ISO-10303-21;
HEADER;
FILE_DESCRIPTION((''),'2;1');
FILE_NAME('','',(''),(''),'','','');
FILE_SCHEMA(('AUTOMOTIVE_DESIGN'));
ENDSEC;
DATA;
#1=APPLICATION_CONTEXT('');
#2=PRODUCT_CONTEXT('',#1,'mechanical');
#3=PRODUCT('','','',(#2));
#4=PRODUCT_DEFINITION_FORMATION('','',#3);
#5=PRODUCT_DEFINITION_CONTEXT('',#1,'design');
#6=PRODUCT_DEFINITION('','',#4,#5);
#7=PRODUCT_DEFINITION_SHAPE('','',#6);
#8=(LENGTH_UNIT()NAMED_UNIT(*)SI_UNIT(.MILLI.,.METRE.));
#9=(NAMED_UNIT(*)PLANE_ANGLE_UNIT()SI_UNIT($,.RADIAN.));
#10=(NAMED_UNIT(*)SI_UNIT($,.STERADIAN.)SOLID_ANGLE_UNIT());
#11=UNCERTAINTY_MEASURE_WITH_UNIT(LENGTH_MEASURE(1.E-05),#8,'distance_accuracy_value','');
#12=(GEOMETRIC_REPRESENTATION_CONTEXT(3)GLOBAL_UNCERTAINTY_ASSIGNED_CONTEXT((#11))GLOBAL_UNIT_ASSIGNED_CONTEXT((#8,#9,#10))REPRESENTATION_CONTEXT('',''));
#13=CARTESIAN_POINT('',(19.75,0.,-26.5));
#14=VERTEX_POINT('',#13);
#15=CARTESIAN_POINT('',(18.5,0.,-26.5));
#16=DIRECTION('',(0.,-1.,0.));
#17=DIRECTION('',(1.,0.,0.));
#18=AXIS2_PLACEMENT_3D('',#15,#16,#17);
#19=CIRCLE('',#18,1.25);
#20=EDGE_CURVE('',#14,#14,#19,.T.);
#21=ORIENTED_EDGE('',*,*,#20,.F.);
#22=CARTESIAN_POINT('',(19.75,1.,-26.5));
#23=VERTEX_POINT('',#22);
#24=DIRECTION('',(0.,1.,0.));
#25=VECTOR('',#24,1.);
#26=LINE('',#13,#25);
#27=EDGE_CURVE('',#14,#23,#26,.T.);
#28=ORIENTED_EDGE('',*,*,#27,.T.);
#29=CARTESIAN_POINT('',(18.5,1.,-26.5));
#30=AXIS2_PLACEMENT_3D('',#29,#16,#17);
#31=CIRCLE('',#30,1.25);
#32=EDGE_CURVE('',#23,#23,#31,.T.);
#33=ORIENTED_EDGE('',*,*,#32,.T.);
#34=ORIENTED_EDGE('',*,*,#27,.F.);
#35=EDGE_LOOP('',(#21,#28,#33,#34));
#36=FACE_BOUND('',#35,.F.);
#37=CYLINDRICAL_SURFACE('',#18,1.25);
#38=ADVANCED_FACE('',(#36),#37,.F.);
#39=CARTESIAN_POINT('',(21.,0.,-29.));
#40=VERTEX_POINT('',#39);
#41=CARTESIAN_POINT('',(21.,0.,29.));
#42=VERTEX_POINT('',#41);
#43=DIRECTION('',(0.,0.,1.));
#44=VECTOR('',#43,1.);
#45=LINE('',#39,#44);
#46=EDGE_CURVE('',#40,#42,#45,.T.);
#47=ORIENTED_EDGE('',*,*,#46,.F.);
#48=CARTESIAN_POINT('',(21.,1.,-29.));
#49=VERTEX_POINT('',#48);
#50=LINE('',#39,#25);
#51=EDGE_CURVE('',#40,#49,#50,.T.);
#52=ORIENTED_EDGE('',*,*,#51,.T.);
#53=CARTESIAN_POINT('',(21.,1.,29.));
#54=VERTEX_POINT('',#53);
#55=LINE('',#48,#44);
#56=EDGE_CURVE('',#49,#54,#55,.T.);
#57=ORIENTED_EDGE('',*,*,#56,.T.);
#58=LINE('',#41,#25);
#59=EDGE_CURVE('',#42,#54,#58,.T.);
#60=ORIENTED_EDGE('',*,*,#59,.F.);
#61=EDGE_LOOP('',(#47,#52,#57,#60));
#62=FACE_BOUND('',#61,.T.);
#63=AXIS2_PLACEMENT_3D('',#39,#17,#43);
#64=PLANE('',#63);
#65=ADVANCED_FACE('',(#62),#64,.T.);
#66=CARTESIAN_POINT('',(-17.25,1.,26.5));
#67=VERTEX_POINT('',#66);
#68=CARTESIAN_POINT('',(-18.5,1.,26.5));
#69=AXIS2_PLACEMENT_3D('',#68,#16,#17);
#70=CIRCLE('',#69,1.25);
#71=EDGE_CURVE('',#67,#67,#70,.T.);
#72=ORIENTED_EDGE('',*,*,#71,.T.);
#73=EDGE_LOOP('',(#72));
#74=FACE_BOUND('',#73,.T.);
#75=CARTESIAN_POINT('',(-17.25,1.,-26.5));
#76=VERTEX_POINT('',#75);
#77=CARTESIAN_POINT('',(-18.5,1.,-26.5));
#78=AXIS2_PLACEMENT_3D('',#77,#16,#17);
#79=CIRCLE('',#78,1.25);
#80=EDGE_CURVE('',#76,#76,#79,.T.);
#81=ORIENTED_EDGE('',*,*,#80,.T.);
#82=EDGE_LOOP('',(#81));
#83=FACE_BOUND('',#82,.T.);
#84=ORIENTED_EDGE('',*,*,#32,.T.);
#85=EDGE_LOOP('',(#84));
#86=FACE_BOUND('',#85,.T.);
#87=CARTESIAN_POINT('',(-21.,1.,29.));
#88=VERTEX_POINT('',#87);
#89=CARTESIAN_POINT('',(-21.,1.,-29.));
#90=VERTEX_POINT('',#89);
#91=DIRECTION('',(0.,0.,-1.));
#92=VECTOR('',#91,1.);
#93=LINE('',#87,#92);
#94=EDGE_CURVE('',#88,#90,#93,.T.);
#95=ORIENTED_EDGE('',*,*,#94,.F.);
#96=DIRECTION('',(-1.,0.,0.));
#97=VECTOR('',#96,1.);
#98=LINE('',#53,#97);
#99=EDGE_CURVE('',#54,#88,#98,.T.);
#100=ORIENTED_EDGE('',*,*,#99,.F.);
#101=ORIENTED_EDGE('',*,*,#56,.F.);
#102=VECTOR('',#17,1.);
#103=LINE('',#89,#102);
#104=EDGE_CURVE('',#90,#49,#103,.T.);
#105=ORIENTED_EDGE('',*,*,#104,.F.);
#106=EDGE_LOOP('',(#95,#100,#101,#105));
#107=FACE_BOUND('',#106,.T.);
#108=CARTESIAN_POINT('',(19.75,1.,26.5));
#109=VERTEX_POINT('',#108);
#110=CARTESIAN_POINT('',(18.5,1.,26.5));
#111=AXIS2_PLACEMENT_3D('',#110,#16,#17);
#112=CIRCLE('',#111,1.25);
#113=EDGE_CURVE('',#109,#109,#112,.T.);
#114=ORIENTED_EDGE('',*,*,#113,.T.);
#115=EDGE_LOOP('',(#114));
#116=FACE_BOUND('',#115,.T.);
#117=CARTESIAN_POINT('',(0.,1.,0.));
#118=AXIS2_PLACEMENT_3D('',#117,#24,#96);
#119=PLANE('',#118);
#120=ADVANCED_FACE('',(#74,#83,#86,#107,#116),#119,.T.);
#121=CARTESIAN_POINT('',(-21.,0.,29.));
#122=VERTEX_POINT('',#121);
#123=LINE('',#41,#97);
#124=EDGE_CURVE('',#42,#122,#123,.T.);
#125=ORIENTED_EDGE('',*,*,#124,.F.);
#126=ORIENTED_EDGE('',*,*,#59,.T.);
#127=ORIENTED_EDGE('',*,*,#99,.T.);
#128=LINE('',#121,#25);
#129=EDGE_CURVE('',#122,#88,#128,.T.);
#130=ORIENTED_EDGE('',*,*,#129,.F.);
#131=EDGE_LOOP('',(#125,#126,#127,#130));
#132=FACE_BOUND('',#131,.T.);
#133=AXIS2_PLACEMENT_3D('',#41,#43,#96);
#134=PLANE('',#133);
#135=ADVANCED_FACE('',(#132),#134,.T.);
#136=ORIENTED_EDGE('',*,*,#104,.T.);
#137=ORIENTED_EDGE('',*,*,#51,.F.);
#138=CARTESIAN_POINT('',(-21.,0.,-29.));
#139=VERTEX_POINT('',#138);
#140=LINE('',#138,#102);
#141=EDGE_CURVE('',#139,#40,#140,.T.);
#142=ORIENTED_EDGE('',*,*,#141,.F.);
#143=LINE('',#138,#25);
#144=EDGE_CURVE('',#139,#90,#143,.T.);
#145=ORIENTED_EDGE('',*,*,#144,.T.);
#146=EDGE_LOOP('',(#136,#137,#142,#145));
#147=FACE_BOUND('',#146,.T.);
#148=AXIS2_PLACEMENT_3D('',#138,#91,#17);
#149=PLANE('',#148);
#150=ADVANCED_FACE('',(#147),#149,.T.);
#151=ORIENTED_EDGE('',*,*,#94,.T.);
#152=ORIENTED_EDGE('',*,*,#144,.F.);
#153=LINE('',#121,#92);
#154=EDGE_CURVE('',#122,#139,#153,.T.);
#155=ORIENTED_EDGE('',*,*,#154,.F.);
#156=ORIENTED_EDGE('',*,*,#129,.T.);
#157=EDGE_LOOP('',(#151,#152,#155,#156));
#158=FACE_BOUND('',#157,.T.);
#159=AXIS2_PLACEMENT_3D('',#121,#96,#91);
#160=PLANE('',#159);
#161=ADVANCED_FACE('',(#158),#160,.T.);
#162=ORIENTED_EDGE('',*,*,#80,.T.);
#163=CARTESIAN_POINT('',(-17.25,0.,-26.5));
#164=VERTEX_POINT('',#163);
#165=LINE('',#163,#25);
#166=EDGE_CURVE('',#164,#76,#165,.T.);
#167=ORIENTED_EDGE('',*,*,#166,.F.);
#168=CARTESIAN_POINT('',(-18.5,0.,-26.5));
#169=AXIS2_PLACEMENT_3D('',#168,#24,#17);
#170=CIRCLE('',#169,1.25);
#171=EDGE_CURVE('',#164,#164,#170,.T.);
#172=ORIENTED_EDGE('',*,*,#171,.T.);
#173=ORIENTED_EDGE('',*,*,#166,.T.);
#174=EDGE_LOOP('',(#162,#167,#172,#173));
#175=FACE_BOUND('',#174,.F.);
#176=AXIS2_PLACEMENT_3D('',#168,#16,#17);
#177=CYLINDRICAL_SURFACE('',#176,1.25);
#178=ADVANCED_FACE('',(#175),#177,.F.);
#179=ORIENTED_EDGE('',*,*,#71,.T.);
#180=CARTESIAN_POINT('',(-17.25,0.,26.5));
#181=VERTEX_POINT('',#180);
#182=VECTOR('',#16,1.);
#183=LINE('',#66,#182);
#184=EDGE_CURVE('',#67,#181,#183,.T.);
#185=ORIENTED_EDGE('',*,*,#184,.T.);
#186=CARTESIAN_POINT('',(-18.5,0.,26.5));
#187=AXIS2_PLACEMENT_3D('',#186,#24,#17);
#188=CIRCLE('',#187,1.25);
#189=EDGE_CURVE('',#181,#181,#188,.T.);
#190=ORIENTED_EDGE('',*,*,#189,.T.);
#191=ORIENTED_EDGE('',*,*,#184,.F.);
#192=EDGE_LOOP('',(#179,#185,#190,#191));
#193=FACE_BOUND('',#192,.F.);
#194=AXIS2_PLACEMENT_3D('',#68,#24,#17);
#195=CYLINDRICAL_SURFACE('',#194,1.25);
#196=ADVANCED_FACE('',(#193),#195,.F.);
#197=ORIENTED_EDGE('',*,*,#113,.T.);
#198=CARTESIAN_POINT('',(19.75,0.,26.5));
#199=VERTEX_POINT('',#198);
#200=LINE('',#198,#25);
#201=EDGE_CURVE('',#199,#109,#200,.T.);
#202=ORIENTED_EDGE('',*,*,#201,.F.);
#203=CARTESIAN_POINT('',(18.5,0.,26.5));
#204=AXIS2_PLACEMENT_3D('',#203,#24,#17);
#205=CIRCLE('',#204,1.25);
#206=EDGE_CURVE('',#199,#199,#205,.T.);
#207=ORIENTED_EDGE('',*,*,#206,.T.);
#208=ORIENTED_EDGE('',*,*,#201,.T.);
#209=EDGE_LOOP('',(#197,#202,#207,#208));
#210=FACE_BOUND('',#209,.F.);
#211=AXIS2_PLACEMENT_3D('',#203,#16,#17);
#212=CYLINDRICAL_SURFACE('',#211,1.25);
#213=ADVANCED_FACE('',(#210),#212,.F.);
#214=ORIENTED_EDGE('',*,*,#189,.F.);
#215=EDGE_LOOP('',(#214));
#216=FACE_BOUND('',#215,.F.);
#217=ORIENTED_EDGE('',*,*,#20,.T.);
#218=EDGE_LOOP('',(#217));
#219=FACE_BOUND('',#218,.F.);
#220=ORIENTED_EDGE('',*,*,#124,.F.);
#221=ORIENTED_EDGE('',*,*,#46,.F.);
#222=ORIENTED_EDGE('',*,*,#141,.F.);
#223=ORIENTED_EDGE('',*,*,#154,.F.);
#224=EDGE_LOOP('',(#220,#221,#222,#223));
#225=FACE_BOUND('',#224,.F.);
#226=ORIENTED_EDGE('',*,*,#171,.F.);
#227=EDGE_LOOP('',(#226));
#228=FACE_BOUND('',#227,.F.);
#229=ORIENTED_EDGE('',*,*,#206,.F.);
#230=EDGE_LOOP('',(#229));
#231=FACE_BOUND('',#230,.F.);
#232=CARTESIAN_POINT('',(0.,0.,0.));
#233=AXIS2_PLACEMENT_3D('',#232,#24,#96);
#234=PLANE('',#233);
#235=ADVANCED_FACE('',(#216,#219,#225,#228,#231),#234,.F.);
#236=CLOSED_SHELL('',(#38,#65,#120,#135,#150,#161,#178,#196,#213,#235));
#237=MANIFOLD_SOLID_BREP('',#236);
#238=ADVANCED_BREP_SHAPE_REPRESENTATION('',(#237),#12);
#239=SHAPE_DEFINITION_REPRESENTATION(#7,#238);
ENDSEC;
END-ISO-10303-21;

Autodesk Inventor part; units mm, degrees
ref_plane "YZ Plane" through (0, 0, 0) normal (1, 0, 0) x (0, 1, 0)
ref_plane "XZ Plane" through (0, 0, 0) normal (0, 1, 0) x (-1, 0, 0)
ref_plane "XY Plane" through (0, 0, 0) normal (0, 0, 1) x (1, 0, 0)
sketch "Sketch1" plane through (0, 0, 0) normal (0, 1, 0) x (-1, 0, 0)
  line L0 (-21, 29) -> (21, 29)
  line L1 (21, 29) -> (21, -29)
  line L2 (21, -29) -> (-21, -29)
  line L3 (-21, -29) -> (-21, 29)
  line L4 (-21, 29) -> (21, -29) construction
  line L5 (21, 29) -> (-21, -29) construction
  point P0 (0, 0)
  dimension "d0" = 42
  dimension "d1" = 58
extrude "Extrusion1" add sketch "Sketch1" along normal blind 1
sketch "Sketch4" plane through (0, 0, 0) normal (0, -1, 0) x (1, 0, 0)
  line L0 (-21, 29) -> (21, 29) projected
  line L1 (21, 29) -> (18.5, 29)
  line L2 (18.5, 29) -> (18.5, 26.5)
  line L3 (18.5, 26.5) -> (21, 26.5)
  line L4 (21, 26.5) -> (21, 29)
  circle A0 centre (18.5, 26.5) radius 1.25
  point P0 (0, 0)
  dimension "d42" = 2.5
  dimension "d43" = 2.5
  dimension "d44" = 2.5
extrude "Extrusion2" cut sketch "Sketch4" against normal through all contours A0 L3 L2 | L2 L3 A0
sketch "Sketch5" plane through (0, 0, 0) normal (0, -1, 0) x (1, 0, 0)
  line L0 (-21, -29) -> (21, -29) projected
  line L1 (-21, -29) -> (-18.5, -29)
  line L2 (-18.5, -29) -> (-18.5, -26.5)
  line L3 (-18.5, -26.5) -> (-21, -26.5)
  line L4 (-21, -26.5) -> (-21, -29)
  circle A0 centre (-18.5, -26.5) radius 1.25
  point P0 (0, 0)
  dimension "d49" = 2.5
  dimension "d50" = 2.5
  dimension "d51" = 2.5
extrude "Extrusion3" cut sketch "Sketch5" against normal through all contours A0 L3 L2 | L2 L3 A0
sketch "Sketch6" plane through (0, 1, 0) normal (0, 1, 0) x (1, 0, 0)
  line L0 (-21, -29) -> (21, -29) projected
  line L1 (-21, -29) -> (-18.5, -29)
  line L2 (-18.5, -29) -> (-18.5, -26.5)
  line L3 (-18.5, -26.5) -> (-21, -26.5)
  line L4 (-21, -26.5) -> (-21, -29)
  circle A0 centre (-18.5, -26.5) radius 1.25
  point P0 (0, 0)
  dimension "d60" = 2.5
  dimension "d61" = 2.5
  dimension "d62" = 2.5
extrude "Extrusion4" cut sketch "Sketch6" against normal up to next contours A0 L3 L2 | L2 L3 A0
sketch "Sketch7" plane through (0, 0, 0) normal (0, -1, 0) x (1, 0, 0)
  circle A0 centre (18.5, -26.5) radius 1.25
  line L0 (-21, -29) -> (21, -29) projected
  line L1 (21, -29) -> (21, 29) projected
  point P0 (0, 0)
  dimension "d67" = 2.5
  dimension "d68" = 2.5
  dimension "d69" = 2.5
extrude "Extrusion5" cut sketch "Sketch7" against normal up to next
properties part number "regulator"
